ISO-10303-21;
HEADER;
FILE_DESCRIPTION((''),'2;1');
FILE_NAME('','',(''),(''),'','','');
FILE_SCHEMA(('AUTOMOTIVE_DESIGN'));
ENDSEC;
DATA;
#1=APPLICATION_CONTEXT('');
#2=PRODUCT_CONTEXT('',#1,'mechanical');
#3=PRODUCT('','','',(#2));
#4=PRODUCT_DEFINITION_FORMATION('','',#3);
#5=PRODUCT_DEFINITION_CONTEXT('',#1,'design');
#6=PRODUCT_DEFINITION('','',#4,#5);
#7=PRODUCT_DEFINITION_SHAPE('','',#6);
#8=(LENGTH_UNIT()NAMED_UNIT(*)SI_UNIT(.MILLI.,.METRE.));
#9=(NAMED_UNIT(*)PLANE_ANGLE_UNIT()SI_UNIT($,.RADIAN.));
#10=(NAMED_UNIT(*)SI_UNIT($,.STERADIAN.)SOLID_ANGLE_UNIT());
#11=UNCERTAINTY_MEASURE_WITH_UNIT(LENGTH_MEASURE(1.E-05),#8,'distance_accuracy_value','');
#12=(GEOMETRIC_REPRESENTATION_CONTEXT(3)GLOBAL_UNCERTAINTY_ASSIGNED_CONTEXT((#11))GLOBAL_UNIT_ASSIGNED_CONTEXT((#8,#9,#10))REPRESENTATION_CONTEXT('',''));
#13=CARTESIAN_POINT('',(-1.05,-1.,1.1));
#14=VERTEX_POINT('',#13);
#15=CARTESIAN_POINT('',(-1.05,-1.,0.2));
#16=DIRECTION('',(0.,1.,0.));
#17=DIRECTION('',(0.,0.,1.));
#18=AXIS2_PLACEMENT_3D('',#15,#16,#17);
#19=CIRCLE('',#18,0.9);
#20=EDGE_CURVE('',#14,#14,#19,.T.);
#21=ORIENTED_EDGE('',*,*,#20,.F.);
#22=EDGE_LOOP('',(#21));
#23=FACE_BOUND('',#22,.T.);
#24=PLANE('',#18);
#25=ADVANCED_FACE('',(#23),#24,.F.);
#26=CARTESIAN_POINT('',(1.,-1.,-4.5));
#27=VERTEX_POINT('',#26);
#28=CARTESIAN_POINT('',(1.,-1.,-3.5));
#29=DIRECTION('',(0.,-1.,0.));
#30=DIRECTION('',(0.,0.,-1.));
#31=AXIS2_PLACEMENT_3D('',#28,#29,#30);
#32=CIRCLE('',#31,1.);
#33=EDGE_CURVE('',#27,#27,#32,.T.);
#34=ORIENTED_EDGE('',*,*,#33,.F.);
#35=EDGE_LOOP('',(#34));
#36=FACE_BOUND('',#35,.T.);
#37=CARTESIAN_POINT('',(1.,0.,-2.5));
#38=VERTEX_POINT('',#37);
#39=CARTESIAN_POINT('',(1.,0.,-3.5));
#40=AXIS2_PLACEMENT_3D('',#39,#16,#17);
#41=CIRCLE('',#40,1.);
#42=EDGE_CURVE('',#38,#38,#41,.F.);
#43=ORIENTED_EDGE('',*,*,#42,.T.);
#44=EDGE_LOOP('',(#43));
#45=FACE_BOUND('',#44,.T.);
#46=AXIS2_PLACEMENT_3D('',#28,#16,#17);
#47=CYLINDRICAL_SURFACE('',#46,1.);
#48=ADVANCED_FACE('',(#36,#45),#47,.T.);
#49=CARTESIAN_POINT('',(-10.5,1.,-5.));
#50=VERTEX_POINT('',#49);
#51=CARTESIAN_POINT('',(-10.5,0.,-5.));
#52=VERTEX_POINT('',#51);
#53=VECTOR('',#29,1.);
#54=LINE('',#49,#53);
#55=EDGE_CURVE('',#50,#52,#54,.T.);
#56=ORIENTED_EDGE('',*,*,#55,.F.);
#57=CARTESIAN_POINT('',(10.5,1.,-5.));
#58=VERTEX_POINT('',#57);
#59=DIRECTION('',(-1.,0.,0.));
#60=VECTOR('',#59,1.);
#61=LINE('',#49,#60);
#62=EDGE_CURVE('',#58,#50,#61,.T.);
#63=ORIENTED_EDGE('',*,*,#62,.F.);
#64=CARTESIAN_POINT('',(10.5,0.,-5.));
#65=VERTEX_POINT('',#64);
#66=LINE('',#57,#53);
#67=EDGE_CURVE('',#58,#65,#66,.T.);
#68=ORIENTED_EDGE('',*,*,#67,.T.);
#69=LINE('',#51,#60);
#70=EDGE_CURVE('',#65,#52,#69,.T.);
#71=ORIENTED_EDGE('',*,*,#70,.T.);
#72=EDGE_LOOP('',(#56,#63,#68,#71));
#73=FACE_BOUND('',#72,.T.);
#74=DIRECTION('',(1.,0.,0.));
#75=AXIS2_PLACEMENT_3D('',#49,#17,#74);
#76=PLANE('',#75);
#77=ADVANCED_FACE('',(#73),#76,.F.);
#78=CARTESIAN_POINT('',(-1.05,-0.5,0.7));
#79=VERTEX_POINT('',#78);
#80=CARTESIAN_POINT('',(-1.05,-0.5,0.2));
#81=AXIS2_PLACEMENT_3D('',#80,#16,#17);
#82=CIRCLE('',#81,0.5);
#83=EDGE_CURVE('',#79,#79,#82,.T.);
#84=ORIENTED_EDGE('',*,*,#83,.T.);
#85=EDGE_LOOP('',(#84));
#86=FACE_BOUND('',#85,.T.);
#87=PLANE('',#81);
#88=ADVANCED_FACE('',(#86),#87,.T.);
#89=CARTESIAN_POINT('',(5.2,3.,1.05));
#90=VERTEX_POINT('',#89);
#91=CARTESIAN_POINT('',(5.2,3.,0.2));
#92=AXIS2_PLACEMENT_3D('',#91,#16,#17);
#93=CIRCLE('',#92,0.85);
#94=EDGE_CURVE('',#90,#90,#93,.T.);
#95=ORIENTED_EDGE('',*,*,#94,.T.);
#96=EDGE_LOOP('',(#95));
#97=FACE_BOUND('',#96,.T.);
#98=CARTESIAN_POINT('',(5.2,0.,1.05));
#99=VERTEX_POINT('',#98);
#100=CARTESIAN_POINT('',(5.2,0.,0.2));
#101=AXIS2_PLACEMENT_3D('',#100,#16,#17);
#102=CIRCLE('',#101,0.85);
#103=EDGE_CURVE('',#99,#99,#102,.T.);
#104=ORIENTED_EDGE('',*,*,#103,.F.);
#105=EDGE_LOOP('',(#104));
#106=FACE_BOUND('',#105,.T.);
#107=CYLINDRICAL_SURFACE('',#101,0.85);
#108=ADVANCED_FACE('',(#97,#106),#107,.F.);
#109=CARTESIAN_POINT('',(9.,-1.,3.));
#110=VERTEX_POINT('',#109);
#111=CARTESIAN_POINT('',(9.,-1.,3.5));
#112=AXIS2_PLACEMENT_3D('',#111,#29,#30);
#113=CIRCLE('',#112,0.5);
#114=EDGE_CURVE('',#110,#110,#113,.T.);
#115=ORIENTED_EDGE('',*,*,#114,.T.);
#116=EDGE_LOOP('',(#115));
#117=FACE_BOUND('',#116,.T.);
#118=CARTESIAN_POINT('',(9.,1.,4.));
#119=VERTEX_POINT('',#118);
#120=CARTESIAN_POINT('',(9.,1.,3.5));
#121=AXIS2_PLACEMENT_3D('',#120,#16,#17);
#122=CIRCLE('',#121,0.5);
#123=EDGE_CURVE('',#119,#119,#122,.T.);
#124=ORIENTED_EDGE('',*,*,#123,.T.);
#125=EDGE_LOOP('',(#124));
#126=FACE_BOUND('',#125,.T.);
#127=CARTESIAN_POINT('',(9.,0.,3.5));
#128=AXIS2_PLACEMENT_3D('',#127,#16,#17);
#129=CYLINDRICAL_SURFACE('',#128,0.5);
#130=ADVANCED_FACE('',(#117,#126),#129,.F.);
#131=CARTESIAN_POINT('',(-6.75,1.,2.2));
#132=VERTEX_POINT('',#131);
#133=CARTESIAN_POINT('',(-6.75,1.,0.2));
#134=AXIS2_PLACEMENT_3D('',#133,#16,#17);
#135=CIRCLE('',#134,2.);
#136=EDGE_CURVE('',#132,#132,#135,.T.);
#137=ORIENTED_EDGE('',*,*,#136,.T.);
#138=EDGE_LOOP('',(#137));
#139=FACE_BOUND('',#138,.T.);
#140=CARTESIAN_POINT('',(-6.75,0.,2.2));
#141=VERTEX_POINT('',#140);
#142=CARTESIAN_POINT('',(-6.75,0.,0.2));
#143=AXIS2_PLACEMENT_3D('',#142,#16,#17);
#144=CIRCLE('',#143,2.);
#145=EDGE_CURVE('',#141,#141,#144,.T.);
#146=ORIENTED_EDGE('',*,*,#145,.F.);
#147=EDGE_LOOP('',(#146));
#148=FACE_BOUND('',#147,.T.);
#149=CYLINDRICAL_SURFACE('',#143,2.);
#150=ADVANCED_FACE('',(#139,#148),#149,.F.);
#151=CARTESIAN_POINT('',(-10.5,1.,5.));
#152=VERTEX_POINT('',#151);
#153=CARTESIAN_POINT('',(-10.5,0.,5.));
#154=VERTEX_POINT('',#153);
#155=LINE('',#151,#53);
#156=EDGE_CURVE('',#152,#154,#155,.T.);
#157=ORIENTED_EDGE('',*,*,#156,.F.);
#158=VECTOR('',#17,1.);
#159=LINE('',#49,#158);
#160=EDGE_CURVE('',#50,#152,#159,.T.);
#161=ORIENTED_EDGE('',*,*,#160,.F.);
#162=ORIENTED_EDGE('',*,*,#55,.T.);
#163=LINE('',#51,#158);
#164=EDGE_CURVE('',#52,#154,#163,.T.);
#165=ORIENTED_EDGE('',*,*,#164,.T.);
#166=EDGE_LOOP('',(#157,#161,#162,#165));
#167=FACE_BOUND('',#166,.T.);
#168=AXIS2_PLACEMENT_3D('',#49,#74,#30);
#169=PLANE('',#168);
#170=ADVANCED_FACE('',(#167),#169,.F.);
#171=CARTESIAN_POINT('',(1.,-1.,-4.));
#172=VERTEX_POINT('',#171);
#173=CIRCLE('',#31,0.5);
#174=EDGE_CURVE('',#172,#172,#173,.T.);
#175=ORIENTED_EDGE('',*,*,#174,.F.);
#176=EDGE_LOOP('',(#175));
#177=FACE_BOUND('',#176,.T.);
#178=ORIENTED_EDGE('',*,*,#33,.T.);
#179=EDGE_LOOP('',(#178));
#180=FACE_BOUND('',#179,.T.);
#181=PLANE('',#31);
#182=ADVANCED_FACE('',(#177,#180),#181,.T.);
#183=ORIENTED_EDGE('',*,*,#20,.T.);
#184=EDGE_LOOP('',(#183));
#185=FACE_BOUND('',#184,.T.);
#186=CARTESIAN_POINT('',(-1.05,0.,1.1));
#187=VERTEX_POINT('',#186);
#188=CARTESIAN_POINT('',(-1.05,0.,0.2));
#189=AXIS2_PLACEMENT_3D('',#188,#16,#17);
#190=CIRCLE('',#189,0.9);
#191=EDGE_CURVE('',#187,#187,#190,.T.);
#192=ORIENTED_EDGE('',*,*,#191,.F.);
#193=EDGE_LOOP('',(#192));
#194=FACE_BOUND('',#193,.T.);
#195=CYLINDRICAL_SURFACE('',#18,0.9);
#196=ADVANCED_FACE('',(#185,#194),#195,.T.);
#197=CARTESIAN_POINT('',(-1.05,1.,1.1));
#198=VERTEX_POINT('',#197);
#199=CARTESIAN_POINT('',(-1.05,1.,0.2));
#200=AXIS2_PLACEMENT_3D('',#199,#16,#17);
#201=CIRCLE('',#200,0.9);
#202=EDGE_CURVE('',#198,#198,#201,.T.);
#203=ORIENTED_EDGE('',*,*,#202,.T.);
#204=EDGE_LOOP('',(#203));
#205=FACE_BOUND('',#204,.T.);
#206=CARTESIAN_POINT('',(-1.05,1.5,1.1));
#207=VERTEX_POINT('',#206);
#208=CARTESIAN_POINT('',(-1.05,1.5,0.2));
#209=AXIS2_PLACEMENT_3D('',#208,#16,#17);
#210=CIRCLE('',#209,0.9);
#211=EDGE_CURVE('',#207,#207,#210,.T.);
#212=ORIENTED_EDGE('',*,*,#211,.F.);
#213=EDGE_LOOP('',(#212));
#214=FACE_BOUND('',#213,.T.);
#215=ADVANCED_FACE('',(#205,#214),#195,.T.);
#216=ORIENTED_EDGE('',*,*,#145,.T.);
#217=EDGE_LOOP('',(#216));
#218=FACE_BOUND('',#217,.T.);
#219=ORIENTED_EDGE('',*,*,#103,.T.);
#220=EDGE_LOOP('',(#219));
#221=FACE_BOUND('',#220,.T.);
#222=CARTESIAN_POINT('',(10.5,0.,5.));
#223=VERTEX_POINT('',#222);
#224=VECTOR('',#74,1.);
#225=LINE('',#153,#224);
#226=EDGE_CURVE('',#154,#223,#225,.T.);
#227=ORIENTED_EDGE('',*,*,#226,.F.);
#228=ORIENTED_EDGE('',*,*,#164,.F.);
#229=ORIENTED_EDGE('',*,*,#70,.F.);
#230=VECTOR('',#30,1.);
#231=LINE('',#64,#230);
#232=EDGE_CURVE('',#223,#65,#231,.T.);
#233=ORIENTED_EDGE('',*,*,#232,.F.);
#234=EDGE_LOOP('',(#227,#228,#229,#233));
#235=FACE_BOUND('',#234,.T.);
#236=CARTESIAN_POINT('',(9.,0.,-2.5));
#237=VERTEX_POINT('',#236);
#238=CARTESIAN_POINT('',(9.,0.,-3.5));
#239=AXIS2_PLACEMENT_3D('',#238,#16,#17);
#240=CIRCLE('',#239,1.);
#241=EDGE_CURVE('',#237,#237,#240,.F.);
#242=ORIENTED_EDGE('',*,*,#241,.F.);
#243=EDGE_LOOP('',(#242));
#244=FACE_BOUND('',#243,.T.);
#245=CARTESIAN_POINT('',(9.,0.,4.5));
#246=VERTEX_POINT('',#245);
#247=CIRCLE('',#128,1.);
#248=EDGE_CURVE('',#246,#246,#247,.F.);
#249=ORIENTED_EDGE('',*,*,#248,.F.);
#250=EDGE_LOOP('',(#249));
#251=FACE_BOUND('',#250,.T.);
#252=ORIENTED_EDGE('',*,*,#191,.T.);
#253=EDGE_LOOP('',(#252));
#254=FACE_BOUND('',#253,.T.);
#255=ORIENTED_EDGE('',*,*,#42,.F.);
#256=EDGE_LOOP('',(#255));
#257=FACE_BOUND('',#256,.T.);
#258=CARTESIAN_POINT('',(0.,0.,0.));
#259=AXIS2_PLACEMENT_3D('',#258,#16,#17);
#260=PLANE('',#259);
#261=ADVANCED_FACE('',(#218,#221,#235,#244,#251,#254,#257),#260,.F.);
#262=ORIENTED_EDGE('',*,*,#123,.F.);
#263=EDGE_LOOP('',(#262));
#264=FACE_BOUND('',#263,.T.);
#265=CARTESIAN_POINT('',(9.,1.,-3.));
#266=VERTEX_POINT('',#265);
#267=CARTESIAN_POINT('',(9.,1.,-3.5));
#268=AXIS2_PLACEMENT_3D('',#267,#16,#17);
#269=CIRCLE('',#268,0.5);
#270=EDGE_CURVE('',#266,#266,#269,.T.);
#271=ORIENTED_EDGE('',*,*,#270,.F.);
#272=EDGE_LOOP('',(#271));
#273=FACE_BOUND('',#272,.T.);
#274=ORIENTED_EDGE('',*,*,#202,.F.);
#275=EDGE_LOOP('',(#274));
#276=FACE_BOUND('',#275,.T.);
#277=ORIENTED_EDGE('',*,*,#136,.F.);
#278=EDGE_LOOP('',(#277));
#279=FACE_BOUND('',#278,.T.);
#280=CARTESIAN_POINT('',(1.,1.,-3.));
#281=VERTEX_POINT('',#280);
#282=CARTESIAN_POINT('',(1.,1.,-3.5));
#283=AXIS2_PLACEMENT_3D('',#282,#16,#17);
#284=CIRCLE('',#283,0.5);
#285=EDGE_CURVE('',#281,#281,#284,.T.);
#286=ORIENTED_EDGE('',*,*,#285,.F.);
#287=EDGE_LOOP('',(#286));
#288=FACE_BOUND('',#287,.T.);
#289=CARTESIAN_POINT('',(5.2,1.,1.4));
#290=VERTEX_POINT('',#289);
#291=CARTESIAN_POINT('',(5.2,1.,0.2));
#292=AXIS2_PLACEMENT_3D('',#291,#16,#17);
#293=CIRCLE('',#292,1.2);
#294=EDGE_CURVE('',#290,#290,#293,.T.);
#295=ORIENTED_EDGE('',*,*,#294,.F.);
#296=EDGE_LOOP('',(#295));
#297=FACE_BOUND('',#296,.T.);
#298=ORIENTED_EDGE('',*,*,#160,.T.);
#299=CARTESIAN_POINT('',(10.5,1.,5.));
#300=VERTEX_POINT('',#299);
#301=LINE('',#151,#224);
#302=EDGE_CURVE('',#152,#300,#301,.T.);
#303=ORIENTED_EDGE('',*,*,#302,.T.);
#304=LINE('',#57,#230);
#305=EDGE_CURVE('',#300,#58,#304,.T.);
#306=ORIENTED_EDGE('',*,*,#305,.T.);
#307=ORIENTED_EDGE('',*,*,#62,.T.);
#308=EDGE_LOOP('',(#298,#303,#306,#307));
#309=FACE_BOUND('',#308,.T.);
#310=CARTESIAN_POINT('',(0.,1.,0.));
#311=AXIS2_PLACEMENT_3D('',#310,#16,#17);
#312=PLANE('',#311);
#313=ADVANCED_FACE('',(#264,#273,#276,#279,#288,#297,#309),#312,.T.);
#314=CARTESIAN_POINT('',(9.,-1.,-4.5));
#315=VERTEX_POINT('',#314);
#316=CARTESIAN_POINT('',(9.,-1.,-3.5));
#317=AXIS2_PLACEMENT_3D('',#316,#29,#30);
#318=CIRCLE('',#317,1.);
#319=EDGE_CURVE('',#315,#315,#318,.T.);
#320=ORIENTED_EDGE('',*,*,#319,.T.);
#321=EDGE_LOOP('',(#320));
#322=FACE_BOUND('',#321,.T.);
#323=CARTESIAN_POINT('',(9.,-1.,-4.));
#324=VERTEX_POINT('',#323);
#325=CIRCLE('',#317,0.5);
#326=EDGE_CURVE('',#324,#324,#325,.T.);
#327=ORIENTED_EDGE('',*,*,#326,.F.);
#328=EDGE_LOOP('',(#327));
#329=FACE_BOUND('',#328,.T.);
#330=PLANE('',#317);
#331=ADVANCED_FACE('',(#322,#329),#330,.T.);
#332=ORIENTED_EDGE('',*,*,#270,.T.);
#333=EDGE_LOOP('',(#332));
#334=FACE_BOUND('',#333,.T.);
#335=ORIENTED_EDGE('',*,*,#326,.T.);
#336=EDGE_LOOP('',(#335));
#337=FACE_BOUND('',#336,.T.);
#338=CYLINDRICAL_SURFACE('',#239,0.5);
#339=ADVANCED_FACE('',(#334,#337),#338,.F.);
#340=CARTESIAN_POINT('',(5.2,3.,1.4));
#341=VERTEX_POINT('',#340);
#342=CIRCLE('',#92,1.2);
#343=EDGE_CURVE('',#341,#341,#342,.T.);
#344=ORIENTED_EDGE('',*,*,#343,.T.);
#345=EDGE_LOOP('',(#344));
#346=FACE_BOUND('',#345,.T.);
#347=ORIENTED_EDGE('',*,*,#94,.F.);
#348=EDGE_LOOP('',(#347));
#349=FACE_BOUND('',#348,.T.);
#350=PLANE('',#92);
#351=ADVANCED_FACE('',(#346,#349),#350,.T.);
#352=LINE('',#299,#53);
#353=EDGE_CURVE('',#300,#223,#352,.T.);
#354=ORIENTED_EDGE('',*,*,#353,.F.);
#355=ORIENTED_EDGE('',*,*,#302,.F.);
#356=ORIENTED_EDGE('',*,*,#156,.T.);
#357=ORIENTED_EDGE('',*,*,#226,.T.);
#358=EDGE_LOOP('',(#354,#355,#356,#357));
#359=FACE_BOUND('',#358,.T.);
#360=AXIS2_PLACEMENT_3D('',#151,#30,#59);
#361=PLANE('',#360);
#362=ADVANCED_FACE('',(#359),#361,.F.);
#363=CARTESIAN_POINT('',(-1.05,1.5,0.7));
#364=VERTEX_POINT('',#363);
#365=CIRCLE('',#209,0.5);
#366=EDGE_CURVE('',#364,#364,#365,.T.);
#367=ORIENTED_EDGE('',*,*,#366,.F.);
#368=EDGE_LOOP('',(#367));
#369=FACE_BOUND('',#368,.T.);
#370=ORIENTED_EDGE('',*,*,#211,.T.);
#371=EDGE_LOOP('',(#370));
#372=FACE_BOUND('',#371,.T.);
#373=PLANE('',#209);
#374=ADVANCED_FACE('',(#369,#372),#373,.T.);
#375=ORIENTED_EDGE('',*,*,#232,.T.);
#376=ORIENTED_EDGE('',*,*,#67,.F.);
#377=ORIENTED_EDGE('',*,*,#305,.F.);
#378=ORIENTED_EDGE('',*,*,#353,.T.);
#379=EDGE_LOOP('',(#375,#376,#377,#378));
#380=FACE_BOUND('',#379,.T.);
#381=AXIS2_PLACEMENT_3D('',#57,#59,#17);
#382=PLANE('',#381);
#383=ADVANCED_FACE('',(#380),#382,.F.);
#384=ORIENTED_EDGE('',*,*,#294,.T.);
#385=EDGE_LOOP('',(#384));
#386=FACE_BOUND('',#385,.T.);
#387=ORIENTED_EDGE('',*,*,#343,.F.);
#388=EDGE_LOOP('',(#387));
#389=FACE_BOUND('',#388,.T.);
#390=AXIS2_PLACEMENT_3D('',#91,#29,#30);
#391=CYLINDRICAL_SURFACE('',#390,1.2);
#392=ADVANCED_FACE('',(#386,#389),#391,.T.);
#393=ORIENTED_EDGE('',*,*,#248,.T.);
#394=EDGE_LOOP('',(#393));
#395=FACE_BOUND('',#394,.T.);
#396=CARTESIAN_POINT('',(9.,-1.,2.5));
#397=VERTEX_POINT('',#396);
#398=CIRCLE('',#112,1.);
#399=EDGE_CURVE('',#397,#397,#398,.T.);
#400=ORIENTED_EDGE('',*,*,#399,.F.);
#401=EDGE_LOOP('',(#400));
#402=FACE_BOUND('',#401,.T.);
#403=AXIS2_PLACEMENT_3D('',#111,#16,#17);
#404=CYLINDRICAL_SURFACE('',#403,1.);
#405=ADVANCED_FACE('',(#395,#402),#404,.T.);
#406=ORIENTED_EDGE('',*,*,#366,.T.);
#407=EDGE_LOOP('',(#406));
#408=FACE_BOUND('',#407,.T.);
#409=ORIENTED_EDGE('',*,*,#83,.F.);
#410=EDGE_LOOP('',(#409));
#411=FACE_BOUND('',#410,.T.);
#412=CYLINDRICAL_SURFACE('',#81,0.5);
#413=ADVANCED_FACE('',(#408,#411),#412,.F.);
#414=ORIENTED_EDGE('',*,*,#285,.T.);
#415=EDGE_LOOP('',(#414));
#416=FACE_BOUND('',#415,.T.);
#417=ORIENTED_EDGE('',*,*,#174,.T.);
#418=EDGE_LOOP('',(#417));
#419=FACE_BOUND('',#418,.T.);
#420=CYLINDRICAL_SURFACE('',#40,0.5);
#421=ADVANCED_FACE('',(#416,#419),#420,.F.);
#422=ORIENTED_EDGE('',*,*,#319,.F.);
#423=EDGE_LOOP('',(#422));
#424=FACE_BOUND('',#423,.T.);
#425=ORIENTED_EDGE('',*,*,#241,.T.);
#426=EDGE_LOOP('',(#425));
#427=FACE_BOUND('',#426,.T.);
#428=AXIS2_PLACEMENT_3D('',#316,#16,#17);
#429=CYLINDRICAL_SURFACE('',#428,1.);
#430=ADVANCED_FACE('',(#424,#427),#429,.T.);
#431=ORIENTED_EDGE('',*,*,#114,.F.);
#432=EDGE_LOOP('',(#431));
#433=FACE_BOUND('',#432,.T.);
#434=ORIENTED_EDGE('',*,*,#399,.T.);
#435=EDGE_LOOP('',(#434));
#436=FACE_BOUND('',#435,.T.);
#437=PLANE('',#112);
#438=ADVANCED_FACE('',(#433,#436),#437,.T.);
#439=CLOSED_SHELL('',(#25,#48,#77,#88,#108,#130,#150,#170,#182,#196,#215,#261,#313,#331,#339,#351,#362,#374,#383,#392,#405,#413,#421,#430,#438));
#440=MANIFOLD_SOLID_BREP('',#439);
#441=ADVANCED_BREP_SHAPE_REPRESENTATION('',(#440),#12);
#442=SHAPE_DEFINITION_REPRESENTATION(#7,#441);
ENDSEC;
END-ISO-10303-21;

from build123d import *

# Parameters (mm, degrees)
SKETCH_1_W           = 21
SKETCH_1_H           = 10
EXTRUDE_1_DEPTH      = 1
SKETCH_2_R           = 1.2
EXTRUDE_2_DEPTH      = 2
SKETCH_3_R           = 0.85
CUT_EXTRUDE_2_DEPTH  = 3
EXTRUDE_3_DEPTH      = 0.5
EXTRUDE_3_DEPTH_BACK = 2
SKETCH_5_R           = 0.9
SKETCH_7_R           = 2
CUT_EXTRUDE_4_DEPTH  = 1
SKETCH_8_R           = 0.5
CUT_EXTRUDE_5_DEPTH  = 1
SKETCH_9_R           = 0.5
CUT_EXTRUDE_6_DEPTH  = 2
SKETCH_10_R          = 1
EXTRUDE_4_DEPTH      = 1
CUT_EXTRUDE_START    = -1
SKETCH_11_R          = 0.5
CUT_EXTRUDE_7_DEPTH  = 1


with BuildPart() as part:
    # 草图1 → 凸台-拉伸1 (new body)
    with BuildSketch(Plane(origin=(0, 0, 0), x_dir=(1, 0, 0), z_dir=(0, 1, 0))):
        Rectangle(SKETCH_1_W, SKETCH_1_H)
    extrude(amount=EXTRUDE_1_DEPTH)

    # 草图2 → 凸台-拉伸2 (add)
    with BuildSketch(Plane(origin=(0, 1, 0), x_dir=(1, 0, 0), z_dir=(0, 1, 0))):
        with Locations(Location((5.2, -0.2, 0), (0, 0, 270))):
            Circle(SKETCH_2_R)
    extrude(amount=EXTRUDE_2_DEPTH)

    # 草图3 → 切除-拉伸2 (cut)
    with BuildSketch(Plane(origin=(0, 3, 0), x_dir=(1, 0, 0), z_dir=(0, 1, 0))):
        with Locations(Location((5.2, -0.2, 0), (0, 0, 270))):
            Circle(SKETCH_3_R)
    extrude(amount=-CUT_EXTRUDE_2_DEPTH, mode=Mode.SUBTRACT)

    # 草图5 → 凸台-拉伸3 (add, two sides: drawn at the far end of the back side and taken through both)
    with BuildSketch(Plane(origin=(0, 1, 0), x_dir=(1, 0, 0), z_dir=(0, 1, 0)).offset(-EXTRUDE_3_DEPTH_BACK)):
        with Locations(Location((-1.05, -0.2, 0), (0, 0, 270))):
            Circle(SKETCH_5_R)
    extrude(amount=EXTRUDE_3_DEPTH + EXTRUDE_3_DEPTH_BACK)

    # 草图7 → 切除-拉伸4 (cut)
    with BuildSketch(Plane(origin=(0, 1, 0), x_dir=(1, 0, 0), z_dir=(0, 1, 0))):
        with Locations(Location((-6.75, -0.2, 0), (0, 0, 270))):
            Circle(SKETCH_7_R)
    extrude(amount=-CUT_EXTRUDE_4_DEPTH, mode=Mode.SUBTRACT)

    # 草图8 → 切除-拉伸5 (cut)
    with BuildSketch(Plane(origin=(0, 1, 0), x_dir=(1, 0, 0), z_dir=(0, 1, 0))):
        with Locations(Location((9, 3.5, 0), (0, 0, 270))):
            Circle(SKETCH_8_R)
        with Locations(Location((1, 3.5, 0), (0, 0, 270))):
            Circle(SKETCH_8_R)
        with Locations(Location((9, -3.5, 0), (0, 0, 270))):
            Circle(SKETCH_8_R)
    extrude(amount=-CUT_EXTRUDE_5_DEPTH, mode=Mode.SUBTRACT)

    # 草图9 → 切除-拉伸6 (cut)
    with BuildSketch(Plane(origin=(0, 1.5, 0), x_dir=(1, 0, 0), z_dir=(0, 1, 0))):
        with Locations(Location((-1.05, -0.2, 0), (0, 0, 270))):
            Circle(SKETCH_9_R)
    extrude(amount=-CUT_EXTRUDE_6_DEPTH, mode=Mode.SUBTRACT)

    # 草图10 → 凸台-拉伸4 (add)
    with BuildSketch(Plane.XZ):
        with Locations(Location((9, 3.5, 0), (0, 0, 90))):
            Circle(SKETCH_10_R)
        with Locations(Location((9, -3.5, 0), (0, 0, 90))):
            Circle(SKETCH_10_R)
        with Locations(Location((1, -3.5, 0), (0, 0, 90))):
            Circle(SKETCH_10_R)
    extrude(amount=EXTRUDE_4_DEPTH)

    # 草图11 → 切除-拉伸7 (cut)
    with BuildSketch(Plane.XZ.offset(1).offset(CUT_EXTRUDE_START)):
        with Locations(Location((9, 3.5, 0), (0, 0, 90))):
            Circle(SKETCH_11_R)
        with Locations(Location((9, -3.5, 0), (0, 0, 90))):
            Circle(SKETCH_11_R)
        with Locations(Location((1, -3.5, 0), (0, 0, 90))):
            Circle(SKETCH_11_R)
    extrude(amount=CUT_EXTRUDE_7_DEPTH, mode=Mode.SUBTRACT)


solid = part.part
